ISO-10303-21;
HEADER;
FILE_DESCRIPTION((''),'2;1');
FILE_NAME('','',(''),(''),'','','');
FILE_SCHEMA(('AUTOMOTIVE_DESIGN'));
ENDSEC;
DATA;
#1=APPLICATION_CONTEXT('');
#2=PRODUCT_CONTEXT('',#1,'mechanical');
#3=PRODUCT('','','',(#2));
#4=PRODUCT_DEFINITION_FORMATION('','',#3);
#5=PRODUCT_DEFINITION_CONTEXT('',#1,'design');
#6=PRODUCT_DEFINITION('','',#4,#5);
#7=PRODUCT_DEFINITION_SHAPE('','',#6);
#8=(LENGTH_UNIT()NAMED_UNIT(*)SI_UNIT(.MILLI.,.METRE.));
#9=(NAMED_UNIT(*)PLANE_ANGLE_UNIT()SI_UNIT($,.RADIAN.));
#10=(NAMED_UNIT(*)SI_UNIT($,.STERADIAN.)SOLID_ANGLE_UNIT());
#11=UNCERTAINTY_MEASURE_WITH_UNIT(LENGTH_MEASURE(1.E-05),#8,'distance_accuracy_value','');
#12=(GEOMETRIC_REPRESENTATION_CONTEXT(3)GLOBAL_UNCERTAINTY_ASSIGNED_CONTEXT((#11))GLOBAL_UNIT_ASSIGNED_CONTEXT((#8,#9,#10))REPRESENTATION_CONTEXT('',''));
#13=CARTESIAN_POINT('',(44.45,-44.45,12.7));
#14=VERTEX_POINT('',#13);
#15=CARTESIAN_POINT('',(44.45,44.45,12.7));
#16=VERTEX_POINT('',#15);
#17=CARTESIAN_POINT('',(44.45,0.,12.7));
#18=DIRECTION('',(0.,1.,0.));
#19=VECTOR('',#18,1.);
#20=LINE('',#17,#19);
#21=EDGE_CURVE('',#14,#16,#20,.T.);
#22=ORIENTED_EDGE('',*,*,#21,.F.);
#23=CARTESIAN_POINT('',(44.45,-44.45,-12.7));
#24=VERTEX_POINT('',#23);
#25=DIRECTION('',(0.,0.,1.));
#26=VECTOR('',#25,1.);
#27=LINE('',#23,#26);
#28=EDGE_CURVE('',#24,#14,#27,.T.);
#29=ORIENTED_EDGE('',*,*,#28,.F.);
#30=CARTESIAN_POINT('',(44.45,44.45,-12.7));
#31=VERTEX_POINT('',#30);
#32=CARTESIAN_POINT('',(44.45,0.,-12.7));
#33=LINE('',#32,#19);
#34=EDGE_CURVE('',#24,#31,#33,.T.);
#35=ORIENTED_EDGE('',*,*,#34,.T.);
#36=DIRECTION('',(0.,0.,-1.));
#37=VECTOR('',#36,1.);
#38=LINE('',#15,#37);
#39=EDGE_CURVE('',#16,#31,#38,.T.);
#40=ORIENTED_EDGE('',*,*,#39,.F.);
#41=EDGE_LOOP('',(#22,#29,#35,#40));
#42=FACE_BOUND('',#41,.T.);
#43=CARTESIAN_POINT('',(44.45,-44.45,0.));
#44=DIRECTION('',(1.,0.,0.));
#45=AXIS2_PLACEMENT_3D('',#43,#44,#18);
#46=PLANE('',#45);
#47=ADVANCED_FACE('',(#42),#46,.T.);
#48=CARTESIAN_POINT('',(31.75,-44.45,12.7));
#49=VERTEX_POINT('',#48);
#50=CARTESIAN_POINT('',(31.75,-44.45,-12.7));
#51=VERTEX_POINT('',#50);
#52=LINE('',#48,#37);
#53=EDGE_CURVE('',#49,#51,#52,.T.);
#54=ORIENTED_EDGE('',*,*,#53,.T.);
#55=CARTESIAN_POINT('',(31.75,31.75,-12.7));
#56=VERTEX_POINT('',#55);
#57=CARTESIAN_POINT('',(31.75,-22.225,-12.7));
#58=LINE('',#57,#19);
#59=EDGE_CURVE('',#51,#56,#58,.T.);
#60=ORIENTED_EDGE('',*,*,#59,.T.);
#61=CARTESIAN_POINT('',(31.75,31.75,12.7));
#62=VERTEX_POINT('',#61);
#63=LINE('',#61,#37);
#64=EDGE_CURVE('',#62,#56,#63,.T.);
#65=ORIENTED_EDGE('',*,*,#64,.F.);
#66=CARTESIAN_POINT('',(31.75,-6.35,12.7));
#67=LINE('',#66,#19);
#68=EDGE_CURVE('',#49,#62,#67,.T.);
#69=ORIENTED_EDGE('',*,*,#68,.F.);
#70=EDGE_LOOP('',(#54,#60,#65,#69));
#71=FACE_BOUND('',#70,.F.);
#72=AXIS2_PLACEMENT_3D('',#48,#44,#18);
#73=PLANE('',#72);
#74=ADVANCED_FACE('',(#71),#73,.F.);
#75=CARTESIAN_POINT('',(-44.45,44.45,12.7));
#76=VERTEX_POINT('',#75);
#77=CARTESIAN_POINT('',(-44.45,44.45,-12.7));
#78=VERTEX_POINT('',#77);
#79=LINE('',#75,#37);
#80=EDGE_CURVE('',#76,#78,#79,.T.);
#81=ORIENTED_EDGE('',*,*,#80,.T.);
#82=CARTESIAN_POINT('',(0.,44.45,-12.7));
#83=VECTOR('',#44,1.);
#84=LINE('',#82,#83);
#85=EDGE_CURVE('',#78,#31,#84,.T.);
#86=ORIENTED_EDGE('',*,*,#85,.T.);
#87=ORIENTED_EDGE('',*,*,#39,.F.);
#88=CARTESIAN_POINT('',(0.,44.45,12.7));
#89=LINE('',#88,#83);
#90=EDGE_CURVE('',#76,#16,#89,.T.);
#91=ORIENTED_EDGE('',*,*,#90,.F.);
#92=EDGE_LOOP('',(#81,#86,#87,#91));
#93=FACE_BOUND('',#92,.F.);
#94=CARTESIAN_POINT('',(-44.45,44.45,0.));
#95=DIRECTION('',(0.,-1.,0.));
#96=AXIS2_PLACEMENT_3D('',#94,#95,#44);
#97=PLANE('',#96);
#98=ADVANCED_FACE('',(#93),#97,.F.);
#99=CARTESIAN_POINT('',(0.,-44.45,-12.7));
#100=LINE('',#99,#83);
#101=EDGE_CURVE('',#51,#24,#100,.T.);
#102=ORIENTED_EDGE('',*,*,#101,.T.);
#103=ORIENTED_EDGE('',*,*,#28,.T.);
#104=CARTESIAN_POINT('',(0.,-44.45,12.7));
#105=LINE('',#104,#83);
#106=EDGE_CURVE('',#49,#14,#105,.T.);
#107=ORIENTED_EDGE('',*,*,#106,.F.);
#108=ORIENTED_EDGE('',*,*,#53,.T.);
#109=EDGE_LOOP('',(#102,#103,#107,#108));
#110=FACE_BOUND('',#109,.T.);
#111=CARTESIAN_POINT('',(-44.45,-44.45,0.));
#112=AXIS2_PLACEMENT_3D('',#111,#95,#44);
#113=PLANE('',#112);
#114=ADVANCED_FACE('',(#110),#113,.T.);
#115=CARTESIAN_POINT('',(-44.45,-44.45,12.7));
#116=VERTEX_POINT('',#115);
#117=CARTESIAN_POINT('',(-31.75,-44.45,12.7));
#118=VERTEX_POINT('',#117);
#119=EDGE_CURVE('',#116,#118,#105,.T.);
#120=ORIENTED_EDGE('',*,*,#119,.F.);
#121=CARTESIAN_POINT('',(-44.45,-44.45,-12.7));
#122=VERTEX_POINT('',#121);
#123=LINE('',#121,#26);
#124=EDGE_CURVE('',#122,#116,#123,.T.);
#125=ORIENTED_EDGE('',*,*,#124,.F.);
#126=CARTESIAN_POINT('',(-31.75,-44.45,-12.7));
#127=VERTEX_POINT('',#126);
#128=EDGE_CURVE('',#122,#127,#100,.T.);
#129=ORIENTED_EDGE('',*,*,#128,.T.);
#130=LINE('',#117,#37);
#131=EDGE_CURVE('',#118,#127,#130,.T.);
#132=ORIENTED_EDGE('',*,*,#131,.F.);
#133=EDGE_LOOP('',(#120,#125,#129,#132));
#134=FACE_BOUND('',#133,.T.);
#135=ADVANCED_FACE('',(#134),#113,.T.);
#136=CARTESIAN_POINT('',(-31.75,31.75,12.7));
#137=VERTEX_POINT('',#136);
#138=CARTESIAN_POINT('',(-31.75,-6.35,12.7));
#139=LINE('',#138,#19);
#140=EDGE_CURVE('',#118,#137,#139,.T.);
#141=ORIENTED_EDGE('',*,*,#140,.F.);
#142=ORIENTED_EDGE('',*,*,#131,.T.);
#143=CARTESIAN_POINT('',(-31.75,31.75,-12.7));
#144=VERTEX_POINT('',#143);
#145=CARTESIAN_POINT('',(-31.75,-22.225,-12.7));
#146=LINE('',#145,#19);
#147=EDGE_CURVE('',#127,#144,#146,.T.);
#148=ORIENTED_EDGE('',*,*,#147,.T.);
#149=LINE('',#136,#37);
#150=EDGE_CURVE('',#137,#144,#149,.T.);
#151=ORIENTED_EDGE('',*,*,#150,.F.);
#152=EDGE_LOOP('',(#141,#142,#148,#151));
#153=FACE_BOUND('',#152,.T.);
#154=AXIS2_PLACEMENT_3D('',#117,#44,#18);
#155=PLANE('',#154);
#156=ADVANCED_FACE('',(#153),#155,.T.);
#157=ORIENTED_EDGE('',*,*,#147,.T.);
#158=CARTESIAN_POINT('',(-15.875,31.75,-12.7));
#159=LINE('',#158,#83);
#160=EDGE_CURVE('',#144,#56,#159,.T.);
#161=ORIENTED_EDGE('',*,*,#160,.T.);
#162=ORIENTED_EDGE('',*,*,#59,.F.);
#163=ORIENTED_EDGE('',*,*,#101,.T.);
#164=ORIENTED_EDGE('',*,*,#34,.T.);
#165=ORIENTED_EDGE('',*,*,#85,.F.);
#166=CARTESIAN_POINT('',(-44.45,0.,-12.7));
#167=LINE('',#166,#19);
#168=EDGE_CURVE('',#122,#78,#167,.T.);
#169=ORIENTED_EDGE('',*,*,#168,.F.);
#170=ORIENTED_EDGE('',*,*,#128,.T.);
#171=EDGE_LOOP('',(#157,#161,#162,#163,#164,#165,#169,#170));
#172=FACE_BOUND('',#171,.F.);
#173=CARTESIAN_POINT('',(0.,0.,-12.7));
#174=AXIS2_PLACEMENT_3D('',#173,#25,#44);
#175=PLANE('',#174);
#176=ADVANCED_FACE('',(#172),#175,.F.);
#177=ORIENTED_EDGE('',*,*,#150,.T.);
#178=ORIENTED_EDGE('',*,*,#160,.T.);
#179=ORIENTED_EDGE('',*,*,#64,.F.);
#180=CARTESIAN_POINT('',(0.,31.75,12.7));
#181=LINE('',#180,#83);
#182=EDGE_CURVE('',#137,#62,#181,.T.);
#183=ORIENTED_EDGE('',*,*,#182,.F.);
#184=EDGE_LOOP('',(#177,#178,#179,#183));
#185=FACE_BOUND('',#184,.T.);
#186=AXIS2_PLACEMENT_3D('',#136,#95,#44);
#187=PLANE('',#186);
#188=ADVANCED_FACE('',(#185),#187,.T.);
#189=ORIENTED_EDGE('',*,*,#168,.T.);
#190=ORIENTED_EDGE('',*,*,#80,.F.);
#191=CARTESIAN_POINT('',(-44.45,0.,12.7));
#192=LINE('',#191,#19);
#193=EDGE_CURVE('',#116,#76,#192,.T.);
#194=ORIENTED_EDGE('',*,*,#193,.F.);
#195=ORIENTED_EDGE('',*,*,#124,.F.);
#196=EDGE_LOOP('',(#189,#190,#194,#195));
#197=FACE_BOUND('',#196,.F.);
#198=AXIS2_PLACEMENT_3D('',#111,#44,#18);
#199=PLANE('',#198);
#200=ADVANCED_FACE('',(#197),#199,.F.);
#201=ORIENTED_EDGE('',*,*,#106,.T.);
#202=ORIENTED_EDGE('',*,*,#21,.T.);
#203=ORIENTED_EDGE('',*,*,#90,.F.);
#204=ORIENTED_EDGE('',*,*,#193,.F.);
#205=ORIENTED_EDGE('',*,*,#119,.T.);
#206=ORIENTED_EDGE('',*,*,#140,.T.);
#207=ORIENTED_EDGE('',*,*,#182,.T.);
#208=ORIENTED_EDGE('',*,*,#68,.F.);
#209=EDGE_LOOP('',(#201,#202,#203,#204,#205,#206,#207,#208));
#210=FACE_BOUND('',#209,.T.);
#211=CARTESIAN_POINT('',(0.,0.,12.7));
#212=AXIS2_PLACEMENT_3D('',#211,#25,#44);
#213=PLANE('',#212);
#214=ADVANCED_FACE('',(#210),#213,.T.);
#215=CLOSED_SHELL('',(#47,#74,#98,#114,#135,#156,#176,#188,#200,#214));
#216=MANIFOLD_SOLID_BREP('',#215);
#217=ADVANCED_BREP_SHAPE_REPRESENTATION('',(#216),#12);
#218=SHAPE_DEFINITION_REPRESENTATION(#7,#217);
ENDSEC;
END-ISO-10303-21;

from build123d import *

# Parameters (mm, degrees)
F0_W     = 88.9
F0_H     = 88.9
F1_DEPTH = 12.7
F2_W     = 63.5
F2_H     = 76.2
F3_DEPTH = 25.401


with BuildPart() as f1:
    # F0 (on Top) → F1 (new body, symmetric)
    with BuildSketch(Plane.XY):
        Rectangle(F0_W, F0_H)
    extrude(amount=F1_DEPTH, both=True)

    # F2 (on face) → F3 (cut, through all)
    with BuildSketch(Plane.XY.offset(12.7)):
        with Locations((0, -6.35)):
            Rectangle(F2_W, F2_H)
    extrude(amount=-F3_DEPTH, mode=Mode.SUBTRACT)


solid = f1.part
